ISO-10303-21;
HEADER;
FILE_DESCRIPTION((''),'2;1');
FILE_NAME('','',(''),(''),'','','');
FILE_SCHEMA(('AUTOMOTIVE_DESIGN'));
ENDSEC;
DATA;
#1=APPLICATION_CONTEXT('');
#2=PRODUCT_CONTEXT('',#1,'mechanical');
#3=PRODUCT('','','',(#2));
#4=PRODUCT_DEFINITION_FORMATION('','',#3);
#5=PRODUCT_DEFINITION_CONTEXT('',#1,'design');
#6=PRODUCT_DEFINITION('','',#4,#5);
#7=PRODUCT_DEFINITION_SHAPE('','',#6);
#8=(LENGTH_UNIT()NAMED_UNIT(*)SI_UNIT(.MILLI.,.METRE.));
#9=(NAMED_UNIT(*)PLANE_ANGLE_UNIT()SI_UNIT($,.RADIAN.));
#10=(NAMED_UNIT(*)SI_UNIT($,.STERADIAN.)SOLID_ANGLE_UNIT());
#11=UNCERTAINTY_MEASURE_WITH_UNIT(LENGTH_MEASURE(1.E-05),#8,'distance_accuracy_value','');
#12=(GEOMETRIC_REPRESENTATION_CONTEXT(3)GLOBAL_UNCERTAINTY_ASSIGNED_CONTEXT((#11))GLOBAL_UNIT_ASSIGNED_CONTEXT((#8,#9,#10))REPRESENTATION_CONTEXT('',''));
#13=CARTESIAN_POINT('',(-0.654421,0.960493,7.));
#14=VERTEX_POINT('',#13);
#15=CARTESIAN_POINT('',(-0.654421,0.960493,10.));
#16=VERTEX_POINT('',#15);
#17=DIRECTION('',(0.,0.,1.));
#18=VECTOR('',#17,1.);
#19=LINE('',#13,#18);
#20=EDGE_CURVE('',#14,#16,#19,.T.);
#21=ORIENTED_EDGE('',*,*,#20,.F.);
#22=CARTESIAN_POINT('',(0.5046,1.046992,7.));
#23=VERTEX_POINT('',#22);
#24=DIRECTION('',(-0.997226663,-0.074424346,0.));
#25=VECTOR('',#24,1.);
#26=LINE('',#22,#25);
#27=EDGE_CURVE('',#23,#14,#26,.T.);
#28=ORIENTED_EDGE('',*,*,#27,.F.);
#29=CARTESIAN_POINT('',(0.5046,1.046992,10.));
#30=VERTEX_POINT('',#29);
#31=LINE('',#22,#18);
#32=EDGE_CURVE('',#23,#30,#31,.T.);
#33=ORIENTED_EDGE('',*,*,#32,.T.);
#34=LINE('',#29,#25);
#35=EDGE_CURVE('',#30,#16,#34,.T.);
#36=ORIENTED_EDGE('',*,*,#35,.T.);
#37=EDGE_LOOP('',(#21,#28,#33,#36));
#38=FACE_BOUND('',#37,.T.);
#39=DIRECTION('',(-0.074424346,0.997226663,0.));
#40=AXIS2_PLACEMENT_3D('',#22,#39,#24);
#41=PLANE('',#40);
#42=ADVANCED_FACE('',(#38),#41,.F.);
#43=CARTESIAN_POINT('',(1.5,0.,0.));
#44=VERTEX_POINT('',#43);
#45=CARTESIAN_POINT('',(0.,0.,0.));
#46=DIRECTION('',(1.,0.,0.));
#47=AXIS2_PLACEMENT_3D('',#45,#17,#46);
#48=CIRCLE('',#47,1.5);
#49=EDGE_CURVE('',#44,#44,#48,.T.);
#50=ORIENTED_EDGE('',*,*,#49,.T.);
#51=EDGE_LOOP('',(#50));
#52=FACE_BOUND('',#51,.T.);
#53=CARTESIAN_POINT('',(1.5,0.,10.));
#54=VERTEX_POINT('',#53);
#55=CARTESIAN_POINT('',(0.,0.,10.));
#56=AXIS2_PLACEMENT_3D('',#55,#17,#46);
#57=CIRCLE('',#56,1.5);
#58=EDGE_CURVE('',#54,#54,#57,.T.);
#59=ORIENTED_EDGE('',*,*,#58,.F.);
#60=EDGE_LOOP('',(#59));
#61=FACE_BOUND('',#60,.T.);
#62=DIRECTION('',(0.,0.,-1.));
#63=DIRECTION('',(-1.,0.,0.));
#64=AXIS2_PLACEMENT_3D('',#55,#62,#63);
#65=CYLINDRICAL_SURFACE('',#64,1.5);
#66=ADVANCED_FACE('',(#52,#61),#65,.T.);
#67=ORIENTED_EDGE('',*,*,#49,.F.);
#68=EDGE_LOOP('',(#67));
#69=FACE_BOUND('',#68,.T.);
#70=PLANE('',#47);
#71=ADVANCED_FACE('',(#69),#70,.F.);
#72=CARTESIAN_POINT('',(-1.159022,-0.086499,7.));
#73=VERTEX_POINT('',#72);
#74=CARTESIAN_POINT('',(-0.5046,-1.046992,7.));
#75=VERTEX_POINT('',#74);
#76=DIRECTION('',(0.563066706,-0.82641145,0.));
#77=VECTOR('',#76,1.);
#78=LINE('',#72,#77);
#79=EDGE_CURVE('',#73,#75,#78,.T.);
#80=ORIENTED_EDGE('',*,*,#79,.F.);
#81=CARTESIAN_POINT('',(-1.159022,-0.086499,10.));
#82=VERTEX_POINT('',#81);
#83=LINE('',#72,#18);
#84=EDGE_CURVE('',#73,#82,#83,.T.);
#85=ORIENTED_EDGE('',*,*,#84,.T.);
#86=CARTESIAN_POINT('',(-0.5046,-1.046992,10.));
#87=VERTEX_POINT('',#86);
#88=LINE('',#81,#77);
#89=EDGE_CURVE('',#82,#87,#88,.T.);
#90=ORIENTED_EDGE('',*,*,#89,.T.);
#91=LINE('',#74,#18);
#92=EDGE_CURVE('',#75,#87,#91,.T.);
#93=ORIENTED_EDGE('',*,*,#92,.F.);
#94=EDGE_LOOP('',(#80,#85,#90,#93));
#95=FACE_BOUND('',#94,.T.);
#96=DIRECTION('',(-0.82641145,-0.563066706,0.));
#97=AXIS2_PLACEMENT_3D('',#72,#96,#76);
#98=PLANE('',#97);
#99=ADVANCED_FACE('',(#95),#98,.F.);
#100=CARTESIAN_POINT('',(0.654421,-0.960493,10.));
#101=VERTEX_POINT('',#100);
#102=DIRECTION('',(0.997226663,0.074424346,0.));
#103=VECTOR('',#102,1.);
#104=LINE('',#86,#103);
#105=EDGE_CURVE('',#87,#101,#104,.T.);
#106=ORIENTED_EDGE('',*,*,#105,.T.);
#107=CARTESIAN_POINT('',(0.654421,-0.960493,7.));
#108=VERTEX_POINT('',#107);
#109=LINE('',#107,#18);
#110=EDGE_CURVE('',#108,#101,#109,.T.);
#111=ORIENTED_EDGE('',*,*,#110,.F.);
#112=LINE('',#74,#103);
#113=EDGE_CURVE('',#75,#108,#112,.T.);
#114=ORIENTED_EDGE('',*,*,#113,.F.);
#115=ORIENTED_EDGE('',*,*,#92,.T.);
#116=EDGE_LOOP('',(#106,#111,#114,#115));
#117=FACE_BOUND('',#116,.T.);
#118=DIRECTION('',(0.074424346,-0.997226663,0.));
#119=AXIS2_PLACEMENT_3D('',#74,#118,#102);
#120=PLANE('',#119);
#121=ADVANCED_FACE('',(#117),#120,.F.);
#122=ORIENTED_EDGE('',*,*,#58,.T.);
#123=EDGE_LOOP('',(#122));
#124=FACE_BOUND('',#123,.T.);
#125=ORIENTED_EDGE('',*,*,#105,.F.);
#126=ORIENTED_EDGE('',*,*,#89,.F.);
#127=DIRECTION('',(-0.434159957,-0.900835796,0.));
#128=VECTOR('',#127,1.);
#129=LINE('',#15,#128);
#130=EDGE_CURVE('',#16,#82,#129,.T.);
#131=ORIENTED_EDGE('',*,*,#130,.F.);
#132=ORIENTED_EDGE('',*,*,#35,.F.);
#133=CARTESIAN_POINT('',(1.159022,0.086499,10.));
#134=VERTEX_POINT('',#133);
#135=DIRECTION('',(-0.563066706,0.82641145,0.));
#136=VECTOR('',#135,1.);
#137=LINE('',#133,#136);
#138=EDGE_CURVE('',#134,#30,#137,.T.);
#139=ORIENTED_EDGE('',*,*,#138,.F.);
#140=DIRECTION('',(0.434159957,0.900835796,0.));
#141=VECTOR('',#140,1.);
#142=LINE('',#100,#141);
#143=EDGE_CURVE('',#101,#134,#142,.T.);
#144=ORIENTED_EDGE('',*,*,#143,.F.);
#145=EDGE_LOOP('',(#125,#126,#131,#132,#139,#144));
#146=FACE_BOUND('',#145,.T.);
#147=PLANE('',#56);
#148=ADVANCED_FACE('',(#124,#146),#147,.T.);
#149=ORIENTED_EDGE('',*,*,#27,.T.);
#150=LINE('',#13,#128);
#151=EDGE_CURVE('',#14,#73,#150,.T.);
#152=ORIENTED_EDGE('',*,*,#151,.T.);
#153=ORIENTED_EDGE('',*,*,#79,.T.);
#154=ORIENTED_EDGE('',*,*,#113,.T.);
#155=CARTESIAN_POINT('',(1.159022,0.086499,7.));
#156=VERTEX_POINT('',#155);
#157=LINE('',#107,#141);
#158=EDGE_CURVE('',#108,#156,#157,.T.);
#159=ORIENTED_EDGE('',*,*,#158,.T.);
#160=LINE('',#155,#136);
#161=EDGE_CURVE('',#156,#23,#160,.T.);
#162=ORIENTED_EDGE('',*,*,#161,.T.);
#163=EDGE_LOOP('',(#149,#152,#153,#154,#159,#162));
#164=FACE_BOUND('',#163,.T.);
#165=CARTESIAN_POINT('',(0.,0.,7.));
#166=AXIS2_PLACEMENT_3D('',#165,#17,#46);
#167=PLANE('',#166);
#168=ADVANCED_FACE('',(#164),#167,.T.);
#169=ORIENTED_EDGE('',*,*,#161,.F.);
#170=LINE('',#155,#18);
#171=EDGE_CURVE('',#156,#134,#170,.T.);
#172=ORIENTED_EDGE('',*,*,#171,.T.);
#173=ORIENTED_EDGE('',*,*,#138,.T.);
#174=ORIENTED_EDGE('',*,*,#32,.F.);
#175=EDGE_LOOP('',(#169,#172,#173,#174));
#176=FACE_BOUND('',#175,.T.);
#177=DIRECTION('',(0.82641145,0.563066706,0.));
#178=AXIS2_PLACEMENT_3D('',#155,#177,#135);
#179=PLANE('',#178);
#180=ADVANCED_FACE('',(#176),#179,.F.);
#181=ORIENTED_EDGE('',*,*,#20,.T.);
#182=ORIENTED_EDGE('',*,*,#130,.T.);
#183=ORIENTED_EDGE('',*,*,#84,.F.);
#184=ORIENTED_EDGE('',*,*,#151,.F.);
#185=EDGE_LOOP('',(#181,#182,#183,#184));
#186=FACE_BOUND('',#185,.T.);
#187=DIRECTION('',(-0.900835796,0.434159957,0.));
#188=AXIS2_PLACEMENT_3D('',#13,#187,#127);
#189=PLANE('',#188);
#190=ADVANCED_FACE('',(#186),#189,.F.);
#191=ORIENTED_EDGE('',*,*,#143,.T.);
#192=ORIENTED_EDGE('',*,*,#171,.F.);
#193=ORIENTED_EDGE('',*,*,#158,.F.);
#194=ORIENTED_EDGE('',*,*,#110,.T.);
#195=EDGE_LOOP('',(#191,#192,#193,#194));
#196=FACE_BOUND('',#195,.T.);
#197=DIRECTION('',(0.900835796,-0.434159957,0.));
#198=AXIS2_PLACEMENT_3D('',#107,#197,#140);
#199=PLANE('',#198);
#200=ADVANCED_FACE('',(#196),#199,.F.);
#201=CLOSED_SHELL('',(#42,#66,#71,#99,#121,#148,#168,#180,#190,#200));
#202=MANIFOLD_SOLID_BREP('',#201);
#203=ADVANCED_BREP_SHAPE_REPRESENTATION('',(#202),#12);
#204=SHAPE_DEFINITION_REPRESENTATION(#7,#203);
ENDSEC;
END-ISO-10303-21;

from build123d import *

# Parameters (mm, degrees)
SKETCH1_R           = 1.5
BOSS_EXTRUDE1_DEPTH = 10
CUT_EXTRUDE1_DEPTH  = 3


with BuildPart() as part:
    # Sketch1 → Boss-Extrude1 (new body)
    with BuildSketch(Plane.XY):
        Circle(SKETCH1_R)
    extrude(amount=BOSS_EXTRUDE1_DEPTH)

    # Sketch2 → Cut-Extrude1 (cut)
    with BuildSketch(Plane.XY.offset(10)):
        Polygon((0.65442145, -0.960492555), (1.159021678, 0.086499322), (0.504600228, 1.046991878), (-0.65442145, 0.960492555), (-1.159021678, -0.086499322), (-0.504600228, -1.046991878), align=None)
    extrude(amount=-CUT_EXTRUDE1_DEPTH, mode=Mode.SUBTRACT)


solid = part.part
